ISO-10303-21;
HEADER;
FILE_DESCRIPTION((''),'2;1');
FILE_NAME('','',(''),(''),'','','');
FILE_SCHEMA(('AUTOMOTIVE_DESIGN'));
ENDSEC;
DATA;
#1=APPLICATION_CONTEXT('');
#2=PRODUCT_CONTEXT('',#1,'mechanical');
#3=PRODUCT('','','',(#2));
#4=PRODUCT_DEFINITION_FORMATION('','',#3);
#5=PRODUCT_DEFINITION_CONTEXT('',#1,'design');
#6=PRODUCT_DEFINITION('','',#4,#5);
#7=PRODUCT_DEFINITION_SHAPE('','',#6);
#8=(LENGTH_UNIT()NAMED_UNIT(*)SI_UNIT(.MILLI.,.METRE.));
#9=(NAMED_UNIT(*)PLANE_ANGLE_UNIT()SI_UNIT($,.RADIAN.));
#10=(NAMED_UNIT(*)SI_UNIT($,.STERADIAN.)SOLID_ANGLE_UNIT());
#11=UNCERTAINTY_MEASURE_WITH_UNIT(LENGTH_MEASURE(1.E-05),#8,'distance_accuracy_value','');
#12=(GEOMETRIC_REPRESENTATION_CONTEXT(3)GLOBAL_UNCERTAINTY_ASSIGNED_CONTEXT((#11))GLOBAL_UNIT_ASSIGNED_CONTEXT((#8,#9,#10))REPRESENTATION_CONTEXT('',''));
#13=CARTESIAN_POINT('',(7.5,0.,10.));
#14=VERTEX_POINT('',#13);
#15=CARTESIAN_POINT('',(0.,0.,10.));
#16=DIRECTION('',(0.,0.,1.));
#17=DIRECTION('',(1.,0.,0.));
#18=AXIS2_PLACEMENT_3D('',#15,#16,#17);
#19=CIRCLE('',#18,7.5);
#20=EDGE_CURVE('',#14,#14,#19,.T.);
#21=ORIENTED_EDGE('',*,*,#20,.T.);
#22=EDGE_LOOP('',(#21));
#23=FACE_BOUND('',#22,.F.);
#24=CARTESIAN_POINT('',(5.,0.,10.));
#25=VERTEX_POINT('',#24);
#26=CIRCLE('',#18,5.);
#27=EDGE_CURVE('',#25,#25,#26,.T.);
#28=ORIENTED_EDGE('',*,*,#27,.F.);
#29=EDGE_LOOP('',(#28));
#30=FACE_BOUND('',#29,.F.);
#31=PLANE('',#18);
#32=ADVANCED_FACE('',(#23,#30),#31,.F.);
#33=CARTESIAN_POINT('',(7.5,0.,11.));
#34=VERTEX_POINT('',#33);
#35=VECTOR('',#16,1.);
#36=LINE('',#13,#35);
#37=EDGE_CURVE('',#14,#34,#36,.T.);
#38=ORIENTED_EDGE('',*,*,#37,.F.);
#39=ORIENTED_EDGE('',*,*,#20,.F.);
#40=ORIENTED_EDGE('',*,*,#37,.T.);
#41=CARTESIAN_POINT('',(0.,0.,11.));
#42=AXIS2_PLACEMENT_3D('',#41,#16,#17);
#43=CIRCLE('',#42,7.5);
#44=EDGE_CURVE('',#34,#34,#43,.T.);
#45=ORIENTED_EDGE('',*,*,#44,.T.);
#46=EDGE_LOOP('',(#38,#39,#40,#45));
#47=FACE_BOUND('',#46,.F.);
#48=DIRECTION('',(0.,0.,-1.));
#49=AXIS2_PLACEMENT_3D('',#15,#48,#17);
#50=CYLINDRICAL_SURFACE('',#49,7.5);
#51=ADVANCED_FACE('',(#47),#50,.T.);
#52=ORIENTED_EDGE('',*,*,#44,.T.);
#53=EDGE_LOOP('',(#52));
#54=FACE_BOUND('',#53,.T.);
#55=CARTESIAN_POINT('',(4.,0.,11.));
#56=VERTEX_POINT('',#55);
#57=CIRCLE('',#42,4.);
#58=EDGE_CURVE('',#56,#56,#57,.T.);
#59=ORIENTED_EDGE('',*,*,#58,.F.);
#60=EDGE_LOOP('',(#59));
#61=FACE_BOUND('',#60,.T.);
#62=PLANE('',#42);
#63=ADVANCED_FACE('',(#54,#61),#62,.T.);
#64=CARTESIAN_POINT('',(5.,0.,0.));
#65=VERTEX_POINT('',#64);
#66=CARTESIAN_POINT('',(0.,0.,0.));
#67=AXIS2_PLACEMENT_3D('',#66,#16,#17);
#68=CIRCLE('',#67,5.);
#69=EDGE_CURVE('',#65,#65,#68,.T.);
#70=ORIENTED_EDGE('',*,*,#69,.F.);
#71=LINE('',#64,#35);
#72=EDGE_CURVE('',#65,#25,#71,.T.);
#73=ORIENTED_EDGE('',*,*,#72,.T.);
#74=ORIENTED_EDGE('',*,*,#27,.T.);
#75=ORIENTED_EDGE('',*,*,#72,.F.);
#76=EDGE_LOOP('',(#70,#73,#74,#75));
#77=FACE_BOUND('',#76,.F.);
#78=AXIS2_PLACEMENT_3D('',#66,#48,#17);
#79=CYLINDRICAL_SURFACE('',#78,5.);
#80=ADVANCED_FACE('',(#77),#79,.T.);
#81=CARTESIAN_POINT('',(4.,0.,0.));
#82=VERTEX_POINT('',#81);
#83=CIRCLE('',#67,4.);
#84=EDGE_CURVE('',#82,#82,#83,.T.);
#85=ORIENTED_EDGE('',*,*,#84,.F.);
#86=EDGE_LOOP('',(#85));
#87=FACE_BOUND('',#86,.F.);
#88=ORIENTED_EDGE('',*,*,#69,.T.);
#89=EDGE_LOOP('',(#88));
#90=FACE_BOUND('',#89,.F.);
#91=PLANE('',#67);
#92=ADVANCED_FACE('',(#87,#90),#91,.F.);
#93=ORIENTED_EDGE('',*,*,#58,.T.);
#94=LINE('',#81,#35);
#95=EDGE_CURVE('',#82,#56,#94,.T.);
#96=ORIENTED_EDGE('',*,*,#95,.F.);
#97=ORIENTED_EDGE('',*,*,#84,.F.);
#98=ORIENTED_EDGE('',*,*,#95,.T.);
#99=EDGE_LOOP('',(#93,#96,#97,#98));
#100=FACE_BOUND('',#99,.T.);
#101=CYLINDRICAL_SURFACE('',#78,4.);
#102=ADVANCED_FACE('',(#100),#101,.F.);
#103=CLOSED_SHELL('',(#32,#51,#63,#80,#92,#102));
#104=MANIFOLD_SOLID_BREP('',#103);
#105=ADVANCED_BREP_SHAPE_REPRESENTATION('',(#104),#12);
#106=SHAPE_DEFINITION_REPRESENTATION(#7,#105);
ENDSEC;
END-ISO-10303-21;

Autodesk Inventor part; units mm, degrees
ref_plane "YZ Plane" through (0, 0, 0) normal (1, 0, 0) x (0, 1, 0)
ref_plane "XZ Plane" through (0, 0, 0) normal (0, 1, 0) x (-1, 0, 0)
ref_plane "XY Plane" through (0, 0, 0) normal (0, 0, 1) x (1, 0, 0)
sketch "スケッチ1" plane through (0, 0, 0) normal (0, 0, 1) x (1, 0, 0)
  circle A0 centre (0, 0) radius 4
  circle A1 centre (0, 0) radius 5
  dimension "d0" = 8
  dimension "d1" = 10
extrude "押し出し1" add sketch "スケッチ1" along normal blind 10
sketch "スケッチ2" plane through (0, 0, 10) normal (0, 0, 1) x (1, 0, 0)
  circle A0 centre (0, 0) radius 4 projected
  circle A1 centre (0, 0) radius 7.5
  dimension "d4" = 15
extrude "押し出し2" add sketch "スケッチ2" along normal blind 1
properties part number "オイレスフランジ付き081010" material "アセタール樹脂、黒"
